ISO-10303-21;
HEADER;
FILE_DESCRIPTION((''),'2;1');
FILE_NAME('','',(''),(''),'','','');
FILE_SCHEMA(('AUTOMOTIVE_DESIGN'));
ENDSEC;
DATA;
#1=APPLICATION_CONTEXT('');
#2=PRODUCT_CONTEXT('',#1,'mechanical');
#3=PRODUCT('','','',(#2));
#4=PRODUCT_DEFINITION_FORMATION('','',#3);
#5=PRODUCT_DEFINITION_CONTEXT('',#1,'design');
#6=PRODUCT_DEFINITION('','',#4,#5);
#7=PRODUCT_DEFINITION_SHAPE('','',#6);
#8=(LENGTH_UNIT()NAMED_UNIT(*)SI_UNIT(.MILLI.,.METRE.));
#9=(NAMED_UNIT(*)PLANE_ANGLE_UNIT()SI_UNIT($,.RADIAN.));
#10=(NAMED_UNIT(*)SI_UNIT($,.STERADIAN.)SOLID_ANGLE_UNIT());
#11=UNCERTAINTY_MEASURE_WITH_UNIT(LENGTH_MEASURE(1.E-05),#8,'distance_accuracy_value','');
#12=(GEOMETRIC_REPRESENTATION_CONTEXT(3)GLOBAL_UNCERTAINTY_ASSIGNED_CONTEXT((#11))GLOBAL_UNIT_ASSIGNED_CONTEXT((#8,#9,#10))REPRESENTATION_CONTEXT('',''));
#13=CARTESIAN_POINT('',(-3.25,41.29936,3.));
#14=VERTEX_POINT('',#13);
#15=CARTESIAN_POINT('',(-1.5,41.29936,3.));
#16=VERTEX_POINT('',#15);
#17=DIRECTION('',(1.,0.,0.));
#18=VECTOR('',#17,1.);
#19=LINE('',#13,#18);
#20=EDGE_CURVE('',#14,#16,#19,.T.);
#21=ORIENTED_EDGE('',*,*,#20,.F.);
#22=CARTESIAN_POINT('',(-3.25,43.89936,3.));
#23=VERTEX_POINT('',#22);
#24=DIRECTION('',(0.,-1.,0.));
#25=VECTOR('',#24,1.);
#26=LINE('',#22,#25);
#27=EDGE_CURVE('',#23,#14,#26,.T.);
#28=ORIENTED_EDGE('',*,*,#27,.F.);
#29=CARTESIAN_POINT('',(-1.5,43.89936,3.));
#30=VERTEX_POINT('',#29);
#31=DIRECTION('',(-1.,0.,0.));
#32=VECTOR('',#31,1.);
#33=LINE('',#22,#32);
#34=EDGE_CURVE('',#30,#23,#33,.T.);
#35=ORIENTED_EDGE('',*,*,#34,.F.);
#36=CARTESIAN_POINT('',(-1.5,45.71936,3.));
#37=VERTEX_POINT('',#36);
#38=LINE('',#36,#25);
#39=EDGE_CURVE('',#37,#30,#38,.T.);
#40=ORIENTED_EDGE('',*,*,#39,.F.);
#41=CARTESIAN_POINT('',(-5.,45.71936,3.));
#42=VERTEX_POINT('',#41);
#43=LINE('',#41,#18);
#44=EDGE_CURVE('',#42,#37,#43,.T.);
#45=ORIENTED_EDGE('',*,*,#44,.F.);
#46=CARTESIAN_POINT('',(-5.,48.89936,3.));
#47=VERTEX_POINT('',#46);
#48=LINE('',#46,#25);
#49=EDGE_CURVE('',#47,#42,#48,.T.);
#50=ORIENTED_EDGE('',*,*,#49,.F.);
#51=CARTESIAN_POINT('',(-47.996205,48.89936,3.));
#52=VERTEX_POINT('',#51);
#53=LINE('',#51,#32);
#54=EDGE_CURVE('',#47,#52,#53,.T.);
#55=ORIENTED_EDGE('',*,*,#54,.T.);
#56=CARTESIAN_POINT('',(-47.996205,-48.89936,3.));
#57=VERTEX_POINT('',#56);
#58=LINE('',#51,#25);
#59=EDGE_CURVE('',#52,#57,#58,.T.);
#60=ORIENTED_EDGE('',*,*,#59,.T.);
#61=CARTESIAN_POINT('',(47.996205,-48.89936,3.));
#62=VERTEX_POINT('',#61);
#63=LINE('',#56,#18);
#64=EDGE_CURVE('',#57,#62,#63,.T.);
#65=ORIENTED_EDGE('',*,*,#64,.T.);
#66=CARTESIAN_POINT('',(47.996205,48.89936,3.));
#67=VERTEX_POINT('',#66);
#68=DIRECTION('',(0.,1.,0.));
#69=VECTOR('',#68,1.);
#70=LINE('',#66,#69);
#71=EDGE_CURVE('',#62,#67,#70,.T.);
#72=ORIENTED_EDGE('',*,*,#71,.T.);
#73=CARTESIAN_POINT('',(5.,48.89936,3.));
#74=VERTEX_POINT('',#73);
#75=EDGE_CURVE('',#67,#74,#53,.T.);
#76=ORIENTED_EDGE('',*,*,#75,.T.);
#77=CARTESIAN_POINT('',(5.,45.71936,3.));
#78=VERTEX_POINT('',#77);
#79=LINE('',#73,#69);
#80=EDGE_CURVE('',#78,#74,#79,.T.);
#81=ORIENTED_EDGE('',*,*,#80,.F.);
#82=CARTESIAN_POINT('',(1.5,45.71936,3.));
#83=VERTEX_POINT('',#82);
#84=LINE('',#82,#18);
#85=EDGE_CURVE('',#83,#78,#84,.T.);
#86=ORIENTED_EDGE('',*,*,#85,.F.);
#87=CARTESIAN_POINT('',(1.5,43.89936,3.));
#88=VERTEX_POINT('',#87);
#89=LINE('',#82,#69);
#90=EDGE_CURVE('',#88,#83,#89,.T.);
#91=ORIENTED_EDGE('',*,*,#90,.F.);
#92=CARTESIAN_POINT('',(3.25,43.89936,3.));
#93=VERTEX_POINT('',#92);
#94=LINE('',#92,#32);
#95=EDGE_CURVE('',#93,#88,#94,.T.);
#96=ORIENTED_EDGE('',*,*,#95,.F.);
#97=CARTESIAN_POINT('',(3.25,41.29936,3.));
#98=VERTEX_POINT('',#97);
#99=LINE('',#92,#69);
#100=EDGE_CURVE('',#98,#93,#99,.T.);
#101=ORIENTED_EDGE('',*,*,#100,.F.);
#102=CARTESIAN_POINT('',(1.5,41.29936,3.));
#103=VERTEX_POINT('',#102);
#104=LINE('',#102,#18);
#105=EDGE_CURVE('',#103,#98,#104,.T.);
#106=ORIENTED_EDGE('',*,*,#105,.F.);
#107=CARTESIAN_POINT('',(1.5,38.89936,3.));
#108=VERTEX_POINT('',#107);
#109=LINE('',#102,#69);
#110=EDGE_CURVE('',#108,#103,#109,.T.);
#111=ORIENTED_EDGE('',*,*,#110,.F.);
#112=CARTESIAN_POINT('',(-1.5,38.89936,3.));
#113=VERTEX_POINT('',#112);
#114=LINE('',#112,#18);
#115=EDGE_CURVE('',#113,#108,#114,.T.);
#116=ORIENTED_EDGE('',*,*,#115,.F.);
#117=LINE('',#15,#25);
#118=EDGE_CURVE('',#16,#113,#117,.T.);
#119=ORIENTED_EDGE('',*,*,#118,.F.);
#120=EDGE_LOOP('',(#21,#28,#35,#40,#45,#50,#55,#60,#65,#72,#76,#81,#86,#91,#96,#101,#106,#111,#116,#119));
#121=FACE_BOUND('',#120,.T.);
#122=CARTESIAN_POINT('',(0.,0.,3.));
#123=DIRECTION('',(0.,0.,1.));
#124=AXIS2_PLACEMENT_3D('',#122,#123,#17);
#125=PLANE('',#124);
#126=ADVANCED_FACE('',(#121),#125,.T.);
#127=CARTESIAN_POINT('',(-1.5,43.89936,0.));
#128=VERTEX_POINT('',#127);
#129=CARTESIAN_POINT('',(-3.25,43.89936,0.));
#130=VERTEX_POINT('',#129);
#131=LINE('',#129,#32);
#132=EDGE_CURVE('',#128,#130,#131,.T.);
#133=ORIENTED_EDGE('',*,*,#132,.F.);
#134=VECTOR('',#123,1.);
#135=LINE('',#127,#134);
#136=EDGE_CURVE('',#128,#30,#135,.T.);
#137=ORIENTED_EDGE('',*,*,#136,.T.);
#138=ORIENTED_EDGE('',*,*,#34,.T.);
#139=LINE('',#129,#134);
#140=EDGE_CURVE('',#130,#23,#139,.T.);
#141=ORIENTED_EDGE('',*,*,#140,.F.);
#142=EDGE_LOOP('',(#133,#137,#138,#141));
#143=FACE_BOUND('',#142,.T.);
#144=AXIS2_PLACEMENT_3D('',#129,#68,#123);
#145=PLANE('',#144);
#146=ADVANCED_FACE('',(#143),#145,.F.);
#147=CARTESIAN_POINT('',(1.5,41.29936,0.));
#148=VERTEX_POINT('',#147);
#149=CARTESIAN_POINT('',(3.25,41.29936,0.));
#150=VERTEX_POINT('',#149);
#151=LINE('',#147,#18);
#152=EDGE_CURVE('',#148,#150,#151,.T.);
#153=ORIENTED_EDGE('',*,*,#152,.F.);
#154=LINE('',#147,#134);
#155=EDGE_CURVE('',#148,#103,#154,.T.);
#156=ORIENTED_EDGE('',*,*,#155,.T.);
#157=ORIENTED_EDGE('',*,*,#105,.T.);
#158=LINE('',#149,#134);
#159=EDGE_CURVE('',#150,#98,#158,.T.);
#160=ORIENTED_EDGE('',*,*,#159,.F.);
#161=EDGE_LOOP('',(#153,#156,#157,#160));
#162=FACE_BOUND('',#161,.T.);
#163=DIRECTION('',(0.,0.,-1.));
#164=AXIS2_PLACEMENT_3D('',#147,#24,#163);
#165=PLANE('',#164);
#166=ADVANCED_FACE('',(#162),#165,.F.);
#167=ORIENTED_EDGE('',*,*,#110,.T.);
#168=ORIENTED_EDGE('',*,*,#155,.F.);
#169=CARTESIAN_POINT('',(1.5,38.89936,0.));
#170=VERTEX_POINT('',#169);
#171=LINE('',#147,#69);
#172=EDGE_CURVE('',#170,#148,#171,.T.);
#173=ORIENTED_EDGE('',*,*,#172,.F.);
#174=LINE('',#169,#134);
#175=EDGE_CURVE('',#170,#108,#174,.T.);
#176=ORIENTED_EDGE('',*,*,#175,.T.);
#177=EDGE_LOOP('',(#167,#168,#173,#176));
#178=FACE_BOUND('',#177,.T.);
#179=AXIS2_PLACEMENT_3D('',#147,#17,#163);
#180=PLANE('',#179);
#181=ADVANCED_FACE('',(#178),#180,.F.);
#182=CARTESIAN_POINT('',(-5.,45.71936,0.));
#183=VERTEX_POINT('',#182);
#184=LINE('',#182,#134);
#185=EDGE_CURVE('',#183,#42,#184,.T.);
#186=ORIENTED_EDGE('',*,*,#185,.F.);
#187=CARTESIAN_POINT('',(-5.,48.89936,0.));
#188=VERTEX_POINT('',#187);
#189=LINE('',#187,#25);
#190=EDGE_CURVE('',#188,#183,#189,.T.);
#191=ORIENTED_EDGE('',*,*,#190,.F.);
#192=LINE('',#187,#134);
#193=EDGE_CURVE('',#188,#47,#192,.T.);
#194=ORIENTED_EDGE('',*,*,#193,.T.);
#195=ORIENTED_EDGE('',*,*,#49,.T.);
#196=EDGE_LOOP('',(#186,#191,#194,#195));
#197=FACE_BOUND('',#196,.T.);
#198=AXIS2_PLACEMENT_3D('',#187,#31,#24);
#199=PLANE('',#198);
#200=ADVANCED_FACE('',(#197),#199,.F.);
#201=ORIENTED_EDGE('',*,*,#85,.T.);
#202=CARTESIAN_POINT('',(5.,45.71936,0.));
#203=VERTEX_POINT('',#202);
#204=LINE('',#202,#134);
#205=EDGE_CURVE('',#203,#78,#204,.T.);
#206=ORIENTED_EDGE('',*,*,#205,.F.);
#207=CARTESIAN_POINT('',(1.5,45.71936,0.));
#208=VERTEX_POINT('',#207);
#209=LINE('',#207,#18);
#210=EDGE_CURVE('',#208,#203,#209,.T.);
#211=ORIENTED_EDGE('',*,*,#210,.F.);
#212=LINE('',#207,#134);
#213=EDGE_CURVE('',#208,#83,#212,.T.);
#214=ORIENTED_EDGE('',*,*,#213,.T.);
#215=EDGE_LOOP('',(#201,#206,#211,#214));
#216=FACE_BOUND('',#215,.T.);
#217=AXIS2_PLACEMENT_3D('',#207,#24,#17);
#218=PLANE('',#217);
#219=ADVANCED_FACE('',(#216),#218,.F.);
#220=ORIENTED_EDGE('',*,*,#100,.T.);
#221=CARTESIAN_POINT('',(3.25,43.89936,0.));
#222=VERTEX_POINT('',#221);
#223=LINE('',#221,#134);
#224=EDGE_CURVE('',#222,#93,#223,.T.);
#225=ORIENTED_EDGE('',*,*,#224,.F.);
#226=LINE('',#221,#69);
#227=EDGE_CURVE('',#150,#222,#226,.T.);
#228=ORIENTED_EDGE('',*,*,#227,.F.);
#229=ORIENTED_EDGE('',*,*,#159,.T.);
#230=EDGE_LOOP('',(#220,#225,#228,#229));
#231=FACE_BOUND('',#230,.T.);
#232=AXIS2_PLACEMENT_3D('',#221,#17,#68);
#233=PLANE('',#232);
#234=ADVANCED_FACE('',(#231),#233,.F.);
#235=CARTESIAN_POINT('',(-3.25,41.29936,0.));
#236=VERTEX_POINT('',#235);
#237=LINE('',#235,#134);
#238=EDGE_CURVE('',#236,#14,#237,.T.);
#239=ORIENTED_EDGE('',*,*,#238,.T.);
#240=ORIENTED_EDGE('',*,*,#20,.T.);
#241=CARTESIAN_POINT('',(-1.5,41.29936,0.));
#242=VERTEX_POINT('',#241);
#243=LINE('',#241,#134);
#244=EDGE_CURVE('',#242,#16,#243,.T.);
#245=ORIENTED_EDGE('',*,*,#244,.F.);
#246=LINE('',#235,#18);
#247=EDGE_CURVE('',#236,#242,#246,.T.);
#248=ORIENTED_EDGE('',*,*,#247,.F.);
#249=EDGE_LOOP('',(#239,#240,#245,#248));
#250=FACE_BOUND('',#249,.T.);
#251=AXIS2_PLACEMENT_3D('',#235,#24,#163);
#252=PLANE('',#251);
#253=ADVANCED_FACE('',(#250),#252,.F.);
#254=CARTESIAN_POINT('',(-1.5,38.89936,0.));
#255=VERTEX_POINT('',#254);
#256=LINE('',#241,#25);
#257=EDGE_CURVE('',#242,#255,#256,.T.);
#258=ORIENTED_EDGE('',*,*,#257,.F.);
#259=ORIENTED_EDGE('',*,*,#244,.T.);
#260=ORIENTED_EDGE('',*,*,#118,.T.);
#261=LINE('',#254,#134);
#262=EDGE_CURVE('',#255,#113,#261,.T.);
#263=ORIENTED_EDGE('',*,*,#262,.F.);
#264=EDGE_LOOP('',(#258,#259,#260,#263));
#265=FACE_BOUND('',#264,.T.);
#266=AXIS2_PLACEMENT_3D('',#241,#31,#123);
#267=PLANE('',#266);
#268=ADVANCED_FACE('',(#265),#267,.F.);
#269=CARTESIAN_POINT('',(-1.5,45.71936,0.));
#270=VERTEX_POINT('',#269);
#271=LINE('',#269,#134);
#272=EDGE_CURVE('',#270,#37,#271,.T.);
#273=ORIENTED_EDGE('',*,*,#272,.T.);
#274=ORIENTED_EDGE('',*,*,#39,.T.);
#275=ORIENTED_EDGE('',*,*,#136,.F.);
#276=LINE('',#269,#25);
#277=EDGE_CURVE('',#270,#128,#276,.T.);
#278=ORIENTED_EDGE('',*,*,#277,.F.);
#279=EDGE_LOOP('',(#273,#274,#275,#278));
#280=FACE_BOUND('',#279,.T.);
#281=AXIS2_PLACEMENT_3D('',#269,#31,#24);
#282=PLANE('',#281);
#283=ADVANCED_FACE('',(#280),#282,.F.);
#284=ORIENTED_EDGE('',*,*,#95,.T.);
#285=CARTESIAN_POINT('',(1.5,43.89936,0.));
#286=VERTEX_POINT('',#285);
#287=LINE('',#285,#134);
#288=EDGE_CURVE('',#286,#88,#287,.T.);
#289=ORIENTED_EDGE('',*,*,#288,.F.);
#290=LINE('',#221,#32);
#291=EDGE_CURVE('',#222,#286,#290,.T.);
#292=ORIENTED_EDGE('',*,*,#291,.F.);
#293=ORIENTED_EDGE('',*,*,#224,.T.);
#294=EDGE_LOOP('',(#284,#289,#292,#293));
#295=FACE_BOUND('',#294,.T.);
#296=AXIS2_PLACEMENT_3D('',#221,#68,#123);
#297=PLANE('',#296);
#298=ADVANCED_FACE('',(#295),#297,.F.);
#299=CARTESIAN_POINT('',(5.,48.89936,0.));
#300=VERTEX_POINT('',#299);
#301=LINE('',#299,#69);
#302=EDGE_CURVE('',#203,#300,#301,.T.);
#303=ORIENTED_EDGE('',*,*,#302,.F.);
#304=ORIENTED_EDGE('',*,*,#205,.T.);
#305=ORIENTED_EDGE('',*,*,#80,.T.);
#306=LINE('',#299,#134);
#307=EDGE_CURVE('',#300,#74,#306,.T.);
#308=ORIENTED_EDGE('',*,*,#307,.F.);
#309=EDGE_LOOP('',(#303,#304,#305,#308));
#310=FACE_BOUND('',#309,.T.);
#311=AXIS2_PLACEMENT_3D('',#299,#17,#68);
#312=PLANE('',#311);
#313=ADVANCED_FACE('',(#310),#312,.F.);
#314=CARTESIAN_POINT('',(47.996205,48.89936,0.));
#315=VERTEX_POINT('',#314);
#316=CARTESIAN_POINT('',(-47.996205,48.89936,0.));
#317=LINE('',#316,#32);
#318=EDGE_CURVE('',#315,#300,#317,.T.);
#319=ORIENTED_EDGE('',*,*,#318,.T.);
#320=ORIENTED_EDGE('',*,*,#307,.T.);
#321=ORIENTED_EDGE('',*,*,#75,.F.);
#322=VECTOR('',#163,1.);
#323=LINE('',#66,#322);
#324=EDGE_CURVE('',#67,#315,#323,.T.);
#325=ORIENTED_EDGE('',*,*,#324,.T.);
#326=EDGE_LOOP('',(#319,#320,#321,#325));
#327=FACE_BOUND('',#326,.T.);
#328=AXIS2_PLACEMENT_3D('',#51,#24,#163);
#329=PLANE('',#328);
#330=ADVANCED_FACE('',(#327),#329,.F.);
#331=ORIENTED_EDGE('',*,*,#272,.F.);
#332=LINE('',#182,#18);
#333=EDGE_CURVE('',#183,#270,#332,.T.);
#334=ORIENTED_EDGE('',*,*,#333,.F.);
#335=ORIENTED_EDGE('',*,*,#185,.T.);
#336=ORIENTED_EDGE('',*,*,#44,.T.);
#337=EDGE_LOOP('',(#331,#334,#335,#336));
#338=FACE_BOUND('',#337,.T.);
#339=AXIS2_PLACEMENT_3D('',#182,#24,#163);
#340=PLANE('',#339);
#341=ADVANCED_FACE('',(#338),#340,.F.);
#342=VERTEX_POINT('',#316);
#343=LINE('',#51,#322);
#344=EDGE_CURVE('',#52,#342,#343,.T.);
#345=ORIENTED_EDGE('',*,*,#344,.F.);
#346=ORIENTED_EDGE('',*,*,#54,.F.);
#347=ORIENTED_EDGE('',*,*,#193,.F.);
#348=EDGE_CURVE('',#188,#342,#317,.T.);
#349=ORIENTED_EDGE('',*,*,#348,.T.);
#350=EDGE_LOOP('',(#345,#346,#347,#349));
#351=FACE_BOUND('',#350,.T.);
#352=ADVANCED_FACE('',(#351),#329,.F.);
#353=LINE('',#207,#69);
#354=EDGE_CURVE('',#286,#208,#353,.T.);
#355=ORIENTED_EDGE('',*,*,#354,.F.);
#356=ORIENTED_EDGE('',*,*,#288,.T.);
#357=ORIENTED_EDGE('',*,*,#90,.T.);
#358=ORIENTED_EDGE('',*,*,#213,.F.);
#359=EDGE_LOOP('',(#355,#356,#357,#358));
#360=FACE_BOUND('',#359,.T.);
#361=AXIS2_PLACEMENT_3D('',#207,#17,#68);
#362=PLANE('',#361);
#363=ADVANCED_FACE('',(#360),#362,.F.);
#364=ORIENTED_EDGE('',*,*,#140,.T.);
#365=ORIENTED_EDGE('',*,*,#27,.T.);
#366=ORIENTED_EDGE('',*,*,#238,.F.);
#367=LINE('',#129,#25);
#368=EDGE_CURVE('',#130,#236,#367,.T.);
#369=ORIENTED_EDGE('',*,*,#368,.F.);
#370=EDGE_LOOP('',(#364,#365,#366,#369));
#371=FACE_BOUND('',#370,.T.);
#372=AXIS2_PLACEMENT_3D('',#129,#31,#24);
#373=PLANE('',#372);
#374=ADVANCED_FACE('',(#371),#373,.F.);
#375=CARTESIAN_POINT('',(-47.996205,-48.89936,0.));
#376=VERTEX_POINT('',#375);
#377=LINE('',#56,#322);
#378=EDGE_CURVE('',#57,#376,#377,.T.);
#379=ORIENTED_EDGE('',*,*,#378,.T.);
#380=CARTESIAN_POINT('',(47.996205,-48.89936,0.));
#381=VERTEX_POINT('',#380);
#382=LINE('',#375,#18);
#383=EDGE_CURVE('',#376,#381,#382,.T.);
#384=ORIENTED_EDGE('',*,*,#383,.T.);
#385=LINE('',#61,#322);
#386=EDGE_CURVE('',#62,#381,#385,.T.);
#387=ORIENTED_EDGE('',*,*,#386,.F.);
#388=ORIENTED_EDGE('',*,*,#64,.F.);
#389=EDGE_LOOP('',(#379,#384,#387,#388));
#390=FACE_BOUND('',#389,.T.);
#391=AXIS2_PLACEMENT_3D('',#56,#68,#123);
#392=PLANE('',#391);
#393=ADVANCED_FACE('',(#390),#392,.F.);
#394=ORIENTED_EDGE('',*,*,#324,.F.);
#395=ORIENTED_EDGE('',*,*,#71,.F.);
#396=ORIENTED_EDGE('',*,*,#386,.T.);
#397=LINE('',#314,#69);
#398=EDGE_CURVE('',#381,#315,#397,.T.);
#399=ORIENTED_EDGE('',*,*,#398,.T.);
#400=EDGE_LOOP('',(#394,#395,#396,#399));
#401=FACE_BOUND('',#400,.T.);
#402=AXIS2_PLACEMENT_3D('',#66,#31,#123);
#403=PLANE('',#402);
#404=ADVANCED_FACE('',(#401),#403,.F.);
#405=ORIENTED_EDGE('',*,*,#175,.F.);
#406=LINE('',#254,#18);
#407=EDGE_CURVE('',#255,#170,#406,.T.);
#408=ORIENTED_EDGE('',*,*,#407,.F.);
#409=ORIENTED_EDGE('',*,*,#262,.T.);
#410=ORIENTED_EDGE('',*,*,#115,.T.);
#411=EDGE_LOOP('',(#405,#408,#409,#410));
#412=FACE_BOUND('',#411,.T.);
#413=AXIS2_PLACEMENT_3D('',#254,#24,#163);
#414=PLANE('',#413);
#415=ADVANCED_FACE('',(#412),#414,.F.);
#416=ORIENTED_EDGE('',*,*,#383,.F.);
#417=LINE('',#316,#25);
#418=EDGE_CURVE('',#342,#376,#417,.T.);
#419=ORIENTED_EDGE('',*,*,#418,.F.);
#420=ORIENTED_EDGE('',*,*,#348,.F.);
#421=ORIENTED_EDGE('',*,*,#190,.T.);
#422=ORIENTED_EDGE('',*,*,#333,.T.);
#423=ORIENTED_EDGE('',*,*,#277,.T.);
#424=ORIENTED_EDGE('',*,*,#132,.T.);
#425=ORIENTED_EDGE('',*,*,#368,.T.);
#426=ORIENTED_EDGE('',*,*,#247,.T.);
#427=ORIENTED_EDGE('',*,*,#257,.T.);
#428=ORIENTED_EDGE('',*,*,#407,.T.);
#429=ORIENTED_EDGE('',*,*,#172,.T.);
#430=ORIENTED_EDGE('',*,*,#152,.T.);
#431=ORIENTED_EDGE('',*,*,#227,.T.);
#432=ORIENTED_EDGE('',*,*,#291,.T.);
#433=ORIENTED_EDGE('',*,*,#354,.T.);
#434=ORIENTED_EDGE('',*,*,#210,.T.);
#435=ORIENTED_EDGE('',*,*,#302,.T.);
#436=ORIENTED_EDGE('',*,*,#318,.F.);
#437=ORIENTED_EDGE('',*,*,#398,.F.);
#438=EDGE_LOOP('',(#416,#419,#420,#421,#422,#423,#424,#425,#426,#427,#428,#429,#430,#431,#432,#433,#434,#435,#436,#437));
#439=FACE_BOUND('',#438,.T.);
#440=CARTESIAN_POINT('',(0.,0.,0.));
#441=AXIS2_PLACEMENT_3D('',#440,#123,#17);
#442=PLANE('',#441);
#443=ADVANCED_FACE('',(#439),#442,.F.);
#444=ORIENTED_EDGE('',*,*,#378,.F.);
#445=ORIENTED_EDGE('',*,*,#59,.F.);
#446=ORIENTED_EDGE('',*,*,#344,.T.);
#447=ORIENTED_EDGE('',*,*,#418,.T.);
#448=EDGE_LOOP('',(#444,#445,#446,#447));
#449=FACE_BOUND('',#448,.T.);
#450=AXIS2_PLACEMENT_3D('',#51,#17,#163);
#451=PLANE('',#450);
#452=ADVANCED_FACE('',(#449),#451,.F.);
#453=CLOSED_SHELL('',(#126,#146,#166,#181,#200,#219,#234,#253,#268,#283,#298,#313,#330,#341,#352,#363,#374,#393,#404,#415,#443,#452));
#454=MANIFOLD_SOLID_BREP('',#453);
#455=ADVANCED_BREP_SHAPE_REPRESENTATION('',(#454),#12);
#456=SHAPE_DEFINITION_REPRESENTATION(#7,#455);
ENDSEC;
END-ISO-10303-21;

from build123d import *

# Parameters (mm, degrees)
SKETCH1_W           = 95.992410468
SKETCH1_H           = 97.798719266
BOSS_EXTRUDE1_DEPTH = 3
CUT_EXTRUDE1_DEPTH  = 4


with BuildPart() as part:
    # Sketch1 → Boss-Extrude1 (new body)
    with BuildSketch(Plane.XY):
        Rectangle(SKETCH1_W, SKETCH1_H)
    extrude(amount=BOSS_EXTRUDE1_DEPTH)

    # Sketch2 → Cut-Extrude1 (cut, through all)
    with BuildSketch(Plane.XY.offset(3)):
        Polygon((1.5, 45.719359633), (5, 45.719359633), (5, 48.899359633), (-5, 48.899359633), (-5, 45.719359633), (-1.5, 45.719359633), (-1.5, 43.899359633), (-3.25, 43.899359633), (-3.25, 41.299359633), (-1.5, 41.299359633), (-1.5, 38.899359633), (1.5, 38.899359633), (1.5, 41.299359633), (3.25, 41.299359633), (3.25, 43.899359633), (1.5, 43.899359633), align=None)
    extrude(amount=-CUT_EXTRUDE1_DEPTH, mode=Mode.SUBTRACT)


solid = part.part
